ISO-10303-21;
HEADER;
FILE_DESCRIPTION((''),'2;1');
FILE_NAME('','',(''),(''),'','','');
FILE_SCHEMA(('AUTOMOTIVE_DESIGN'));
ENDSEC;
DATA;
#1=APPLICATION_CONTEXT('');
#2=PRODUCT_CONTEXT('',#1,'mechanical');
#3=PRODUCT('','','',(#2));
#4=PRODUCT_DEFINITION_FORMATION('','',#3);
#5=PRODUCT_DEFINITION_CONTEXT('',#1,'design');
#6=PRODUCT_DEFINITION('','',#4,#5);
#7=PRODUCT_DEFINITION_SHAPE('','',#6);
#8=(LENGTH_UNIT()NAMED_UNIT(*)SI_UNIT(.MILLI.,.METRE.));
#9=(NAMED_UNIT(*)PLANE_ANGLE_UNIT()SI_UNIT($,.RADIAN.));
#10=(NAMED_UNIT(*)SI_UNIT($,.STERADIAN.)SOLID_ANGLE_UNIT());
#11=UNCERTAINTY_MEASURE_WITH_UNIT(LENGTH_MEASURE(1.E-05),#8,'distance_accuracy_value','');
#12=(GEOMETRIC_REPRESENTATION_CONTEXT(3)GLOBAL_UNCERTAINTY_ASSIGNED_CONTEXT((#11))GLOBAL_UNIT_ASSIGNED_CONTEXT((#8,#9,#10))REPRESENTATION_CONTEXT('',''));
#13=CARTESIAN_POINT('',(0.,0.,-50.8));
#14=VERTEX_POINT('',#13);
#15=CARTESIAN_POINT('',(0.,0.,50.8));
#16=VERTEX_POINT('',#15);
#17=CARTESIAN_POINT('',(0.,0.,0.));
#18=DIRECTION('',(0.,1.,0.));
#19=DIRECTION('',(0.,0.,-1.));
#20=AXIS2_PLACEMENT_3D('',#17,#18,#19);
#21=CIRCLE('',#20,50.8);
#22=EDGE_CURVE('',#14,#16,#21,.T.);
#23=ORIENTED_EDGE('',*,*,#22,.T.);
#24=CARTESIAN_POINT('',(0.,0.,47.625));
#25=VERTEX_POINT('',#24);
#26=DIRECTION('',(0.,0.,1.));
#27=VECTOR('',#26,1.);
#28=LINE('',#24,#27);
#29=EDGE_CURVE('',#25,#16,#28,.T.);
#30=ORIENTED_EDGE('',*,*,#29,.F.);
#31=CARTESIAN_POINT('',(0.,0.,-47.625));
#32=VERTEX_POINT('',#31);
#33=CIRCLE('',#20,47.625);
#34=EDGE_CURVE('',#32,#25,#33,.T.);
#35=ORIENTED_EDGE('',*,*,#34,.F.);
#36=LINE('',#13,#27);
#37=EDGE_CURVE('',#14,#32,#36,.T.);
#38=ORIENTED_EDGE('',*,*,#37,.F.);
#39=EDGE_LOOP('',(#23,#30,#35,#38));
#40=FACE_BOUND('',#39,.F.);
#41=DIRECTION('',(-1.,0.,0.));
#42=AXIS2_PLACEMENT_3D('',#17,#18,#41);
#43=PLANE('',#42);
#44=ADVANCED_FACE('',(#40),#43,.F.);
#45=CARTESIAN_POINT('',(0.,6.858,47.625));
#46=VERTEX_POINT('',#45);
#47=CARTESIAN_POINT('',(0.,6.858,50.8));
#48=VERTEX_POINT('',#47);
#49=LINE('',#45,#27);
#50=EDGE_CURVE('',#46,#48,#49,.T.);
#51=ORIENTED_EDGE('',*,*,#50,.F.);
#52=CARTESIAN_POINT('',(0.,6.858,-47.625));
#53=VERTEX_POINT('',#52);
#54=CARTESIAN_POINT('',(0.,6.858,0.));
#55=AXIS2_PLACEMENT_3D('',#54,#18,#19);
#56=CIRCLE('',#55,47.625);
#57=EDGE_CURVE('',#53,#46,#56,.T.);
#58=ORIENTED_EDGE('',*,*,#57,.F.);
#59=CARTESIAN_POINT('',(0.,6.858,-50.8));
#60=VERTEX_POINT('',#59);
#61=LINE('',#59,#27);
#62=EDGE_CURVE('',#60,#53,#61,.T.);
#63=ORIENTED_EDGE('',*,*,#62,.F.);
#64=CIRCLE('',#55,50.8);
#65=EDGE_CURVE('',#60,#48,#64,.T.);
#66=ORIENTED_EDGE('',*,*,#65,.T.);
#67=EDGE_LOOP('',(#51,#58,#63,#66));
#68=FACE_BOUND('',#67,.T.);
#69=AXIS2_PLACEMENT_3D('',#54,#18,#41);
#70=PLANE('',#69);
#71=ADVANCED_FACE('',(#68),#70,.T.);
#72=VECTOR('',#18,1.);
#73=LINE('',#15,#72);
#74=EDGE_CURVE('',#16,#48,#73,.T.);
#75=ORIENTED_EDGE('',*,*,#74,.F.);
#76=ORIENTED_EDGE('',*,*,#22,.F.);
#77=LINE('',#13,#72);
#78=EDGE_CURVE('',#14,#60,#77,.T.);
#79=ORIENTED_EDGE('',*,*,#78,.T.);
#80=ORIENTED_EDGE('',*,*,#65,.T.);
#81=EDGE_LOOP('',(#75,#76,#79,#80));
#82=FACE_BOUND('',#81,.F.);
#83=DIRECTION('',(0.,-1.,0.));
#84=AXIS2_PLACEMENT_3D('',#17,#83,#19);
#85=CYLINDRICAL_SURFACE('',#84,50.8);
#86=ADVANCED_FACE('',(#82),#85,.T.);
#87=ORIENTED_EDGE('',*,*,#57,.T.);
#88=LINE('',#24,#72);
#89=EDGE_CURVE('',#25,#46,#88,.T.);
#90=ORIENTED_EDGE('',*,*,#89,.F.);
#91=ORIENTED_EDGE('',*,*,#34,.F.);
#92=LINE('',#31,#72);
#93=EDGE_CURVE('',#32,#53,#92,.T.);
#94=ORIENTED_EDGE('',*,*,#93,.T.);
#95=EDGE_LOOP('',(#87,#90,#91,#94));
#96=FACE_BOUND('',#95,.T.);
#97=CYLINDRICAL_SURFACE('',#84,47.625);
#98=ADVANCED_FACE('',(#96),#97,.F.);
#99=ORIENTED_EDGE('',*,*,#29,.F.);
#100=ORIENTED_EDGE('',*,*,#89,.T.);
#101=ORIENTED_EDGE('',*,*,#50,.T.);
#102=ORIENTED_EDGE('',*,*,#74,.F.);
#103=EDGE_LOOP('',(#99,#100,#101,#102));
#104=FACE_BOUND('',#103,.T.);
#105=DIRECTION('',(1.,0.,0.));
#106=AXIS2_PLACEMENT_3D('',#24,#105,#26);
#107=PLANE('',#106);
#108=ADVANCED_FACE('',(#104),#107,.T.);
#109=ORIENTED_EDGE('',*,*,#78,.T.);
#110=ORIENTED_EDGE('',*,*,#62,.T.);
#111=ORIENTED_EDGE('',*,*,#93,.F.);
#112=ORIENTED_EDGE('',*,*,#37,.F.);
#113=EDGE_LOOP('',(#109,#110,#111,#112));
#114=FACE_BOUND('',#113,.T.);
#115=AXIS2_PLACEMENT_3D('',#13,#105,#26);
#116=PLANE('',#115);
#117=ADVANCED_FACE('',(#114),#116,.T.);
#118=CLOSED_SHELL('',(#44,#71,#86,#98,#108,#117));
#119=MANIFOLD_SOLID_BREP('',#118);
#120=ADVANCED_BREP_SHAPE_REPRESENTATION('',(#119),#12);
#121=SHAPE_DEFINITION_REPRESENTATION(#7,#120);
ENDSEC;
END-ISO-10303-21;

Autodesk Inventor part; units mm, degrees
ref_plane "YZ Plane" through (0, 0, 0) normal (1, 0, 0) x (0, 1, 0)
ref_plane "XZ Plane" through (0, 0, 0) normal (0, 1, 0) x (-1, 0, 0)
ref_plane "XY Plane" through (0, 0, 0) normal (0, 0, 1) x (1, 0, 0)
sketch "Sketch1" plane through (0, 0, 0) normal (0, 1, 0) x (-1, 0, 0)
  arc A0 (0, -50.8) -> (0, 50.8) centre (0, 0) ccw
  arc A1 (0, -47.625) -> (0, 47.625) centre (0, 0) ccw
  line L0 (0, 47.625) -> (0, 50.8)
  line L1 (0, -50.8) -> (0, -47.625)
  dimension "d0" = 101.6
  dimension "d1" = 95.25
extrude "Extrusion1" add sketch "Sketch1" along normal blind 6.858
properties part number "GapFiller" material "ABS Plastic"
